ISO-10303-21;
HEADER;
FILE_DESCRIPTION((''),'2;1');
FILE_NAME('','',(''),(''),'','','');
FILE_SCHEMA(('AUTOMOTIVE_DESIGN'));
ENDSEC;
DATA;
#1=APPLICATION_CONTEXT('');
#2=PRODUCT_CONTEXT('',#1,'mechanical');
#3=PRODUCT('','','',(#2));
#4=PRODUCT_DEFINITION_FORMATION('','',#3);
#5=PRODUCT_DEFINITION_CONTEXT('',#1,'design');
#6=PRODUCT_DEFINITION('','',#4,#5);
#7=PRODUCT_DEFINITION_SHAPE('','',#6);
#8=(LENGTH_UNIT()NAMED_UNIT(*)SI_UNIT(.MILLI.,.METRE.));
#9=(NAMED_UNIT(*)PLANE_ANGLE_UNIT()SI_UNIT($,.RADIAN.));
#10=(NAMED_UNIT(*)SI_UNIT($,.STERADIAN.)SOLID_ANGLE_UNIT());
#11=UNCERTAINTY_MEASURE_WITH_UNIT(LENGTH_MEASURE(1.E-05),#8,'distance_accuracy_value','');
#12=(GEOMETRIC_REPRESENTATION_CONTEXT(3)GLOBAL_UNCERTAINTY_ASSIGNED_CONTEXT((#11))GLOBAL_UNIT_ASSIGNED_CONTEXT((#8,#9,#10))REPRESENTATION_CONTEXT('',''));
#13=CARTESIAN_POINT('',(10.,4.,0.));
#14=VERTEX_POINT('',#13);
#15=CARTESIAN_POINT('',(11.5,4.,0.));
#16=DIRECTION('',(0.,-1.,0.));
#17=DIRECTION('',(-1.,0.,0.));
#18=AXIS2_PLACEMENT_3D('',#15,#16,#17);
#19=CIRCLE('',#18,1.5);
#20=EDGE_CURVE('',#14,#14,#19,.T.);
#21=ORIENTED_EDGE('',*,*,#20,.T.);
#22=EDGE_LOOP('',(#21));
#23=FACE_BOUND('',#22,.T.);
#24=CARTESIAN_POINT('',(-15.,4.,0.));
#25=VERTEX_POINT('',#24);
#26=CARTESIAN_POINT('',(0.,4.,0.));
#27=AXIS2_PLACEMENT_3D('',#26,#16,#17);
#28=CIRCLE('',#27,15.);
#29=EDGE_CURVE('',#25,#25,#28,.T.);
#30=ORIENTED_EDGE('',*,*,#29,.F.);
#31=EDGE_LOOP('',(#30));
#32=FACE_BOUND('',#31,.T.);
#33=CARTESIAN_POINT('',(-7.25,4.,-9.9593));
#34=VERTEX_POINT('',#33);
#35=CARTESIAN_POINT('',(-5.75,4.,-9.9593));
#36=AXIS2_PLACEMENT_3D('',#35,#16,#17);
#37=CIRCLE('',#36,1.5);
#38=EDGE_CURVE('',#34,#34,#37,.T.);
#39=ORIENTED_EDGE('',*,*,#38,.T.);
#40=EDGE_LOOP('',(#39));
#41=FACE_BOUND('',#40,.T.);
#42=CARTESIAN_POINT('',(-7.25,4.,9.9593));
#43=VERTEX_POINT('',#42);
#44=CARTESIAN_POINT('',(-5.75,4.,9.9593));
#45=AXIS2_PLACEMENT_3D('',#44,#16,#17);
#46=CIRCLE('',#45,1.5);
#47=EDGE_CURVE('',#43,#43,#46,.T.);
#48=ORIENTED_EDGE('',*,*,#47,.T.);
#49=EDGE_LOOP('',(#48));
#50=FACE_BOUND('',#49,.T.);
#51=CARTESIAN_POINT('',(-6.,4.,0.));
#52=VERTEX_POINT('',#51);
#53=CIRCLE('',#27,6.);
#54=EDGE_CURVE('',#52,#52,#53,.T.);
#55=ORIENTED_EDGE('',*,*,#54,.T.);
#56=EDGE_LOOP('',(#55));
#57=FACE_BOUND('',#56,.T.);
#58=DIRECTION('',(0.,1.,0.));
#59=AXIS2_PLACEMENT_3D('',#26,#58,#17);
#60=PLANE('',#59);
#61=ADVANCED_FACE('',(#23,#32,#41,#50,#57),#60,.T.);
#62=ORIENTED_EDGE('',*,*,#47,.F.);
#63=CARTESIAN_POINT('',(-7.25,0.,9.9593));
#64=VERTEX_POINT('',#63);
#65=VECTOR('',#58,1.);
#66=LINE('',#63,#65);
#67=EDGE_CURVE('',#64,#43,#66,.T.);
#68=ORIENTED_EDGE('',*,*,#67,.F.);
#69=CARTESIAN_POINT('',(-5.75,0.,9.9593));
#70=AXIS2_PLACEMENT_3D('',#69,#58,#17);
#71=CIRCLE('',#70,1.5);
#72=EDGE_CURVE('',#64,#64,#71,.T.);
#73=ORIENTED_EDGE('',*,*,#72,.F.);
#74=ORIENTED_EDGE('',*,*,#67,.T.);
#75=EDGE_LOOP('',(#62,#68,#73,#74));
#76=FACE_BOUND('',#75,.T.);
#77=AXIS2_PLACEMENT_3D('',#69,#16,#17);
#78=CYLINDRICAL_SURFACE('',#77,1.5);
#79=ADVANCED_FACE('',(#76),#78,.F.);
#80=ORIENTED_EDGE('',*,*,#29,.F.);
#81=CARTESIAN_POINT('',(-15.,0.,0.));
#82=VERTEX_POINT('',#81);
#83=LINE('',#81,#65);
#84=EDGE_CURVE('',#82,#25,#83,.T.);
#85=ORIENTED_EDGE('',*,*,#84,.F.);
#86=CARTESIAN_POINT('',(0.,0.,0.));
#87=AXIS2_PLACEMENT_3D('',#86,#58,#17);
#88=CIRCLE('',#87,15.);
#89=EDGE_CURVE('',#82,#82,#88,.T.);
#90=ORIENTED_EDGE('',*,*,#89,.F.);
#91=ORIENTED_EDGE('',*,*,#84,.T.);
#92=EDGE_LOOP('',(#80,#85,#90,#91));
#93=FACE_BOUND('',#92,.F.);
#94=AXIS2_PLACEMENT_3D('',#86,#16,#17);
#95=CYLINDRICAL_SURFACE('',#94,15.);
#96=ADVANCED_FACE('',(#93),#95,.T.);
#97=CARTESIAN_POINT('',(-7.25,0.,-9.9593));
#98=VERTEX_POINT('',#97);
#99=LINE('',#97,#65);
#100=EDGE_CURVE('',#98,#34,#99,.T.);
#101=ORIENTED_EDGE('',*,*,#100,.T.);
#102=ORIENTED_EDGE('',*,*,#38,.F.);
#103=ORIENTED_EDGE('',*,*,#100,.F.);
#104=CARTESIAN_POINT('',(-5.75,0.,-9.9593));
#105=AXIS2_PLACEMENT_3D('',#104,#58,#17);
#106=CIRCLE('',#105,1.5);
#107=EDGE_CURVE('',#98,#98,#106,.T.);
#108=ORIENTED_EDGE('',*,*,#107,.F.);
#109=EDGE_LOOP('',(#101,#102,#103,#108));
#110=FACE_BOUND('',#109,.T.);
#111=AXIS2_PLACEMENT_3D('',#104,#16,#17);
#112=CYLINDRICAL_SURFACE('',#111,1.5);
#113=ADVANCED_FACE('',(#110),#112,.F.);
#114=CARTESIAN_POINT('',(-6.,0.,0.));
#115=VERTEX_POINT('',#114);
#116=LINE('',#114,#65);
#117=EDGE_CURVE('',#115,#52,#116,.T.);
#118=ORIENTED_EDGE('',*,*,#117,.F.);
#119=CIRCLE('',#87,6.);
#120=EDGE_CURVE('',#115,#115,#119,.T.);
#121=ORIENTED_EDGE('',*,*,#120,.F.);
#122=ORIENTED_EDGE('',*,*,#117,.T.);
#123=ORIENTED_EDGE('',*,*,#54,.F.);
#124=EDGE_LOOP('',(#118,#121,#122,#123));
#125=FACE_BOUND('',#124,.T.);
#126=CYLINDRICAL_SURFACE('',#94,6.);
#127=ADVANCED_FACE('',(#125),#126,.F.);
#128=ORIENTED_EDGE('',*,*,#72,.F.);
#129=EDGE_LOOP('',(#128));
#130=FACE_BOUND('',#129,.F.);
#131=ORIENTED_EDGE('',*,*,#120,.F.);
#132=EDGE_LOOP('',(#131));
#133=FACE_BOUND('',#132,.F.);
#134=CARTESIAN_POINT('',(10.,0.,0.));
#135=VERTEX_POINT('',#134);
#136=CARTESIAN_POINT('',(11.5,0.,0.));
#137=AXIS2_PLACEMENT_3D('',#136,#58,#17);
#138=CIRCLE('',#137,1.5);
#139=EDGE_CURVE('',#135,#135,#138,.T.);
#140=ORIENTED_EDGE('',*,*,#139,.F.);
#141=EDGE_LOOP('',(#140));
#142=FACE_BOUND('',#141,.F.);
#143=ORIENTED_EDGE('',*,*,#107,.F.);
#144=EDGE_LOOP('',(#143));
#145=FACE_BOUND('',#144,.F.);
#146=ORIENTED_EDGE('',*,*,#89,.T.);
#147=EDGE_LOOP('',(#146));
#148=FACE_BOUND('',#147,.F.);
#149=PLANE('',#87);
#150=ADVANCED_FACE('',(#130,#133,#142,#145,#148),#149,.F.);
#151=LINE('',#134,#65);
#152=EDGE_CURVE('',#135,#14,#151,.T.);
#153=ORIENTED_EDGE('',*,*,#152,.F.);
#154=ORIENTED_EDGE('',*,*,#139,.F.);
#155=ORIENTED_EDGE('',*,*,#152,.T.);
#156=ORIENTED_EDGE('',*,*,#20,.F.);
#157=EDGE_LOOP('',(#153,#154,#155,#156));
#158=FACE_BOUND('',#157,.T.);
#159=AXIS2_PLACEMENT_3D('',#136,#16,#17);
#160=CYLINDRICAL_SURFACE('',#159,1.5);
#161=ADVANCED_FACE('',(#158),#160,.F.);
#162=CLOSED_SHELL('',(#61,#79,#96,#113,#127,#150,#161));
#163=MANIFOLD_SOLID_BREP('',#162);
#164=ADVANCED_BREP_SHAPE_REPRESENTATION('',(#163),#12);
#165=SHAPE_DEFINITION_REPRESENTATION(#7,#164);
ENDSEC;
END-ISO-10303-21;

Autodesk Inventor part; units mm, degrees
ref_plane "YZ Plane" through (0, 0, 0) normal (1, 0, 0) x (0, 1, 0)
ref_plane "XZ Plane" through (0, 0, 0) normal (0, 1, 0) x (-1, 0, 0)
ref_plane "XY Plane" through (0, 0, 0) normal (0, 0, 1) x (1, 0, 0)
sketch "Skizze1" plane through (0, 0, 0) normal (0, 1, 0) x (-1, 0, 0)
  circle A0 centre (0, 0) radius 15
  circle A1 centre (0, 0) radius 6
  circle A2 centre (0, 0) radius 11.5
  line L0 (0, 0) -> (-26.7883, 0)
  line L1 (0, 0) -> (13.3942, -23.1994)
  line L2 (0, 0) -> (13.3942, 23.1994)
  circle A3 centre (5.75, -9.9593) radius 1.5
  circle A4 centre (5.75, 9.9593) radius 1.5
  circle A5 centre (-11.5, 0) radius 1.5
  dimension "d0" = 30
  dimension "d1" = 12
  dimension "d3" = 23
  dimension "d6" = 360
  dimension "d8" = 3
  dimension "d9" = 3
  dimension "d10" = 3
extrude "Extrusion1" add sketch "Skizze1" along normal blind 4 contours A0 L1 A3 A2 A4 L2 | L2 A4 A2 A5 L0 A0 | A0 L0 A5 A2 A3 L1 | A4 L2 A1 L0 A5 A2 | A2 A5 L0 A1 L1 A3 | A2 A3 L1 A1 L2 A4
properties part number "01-03-01-02 Zeichnung Zange links oben"
